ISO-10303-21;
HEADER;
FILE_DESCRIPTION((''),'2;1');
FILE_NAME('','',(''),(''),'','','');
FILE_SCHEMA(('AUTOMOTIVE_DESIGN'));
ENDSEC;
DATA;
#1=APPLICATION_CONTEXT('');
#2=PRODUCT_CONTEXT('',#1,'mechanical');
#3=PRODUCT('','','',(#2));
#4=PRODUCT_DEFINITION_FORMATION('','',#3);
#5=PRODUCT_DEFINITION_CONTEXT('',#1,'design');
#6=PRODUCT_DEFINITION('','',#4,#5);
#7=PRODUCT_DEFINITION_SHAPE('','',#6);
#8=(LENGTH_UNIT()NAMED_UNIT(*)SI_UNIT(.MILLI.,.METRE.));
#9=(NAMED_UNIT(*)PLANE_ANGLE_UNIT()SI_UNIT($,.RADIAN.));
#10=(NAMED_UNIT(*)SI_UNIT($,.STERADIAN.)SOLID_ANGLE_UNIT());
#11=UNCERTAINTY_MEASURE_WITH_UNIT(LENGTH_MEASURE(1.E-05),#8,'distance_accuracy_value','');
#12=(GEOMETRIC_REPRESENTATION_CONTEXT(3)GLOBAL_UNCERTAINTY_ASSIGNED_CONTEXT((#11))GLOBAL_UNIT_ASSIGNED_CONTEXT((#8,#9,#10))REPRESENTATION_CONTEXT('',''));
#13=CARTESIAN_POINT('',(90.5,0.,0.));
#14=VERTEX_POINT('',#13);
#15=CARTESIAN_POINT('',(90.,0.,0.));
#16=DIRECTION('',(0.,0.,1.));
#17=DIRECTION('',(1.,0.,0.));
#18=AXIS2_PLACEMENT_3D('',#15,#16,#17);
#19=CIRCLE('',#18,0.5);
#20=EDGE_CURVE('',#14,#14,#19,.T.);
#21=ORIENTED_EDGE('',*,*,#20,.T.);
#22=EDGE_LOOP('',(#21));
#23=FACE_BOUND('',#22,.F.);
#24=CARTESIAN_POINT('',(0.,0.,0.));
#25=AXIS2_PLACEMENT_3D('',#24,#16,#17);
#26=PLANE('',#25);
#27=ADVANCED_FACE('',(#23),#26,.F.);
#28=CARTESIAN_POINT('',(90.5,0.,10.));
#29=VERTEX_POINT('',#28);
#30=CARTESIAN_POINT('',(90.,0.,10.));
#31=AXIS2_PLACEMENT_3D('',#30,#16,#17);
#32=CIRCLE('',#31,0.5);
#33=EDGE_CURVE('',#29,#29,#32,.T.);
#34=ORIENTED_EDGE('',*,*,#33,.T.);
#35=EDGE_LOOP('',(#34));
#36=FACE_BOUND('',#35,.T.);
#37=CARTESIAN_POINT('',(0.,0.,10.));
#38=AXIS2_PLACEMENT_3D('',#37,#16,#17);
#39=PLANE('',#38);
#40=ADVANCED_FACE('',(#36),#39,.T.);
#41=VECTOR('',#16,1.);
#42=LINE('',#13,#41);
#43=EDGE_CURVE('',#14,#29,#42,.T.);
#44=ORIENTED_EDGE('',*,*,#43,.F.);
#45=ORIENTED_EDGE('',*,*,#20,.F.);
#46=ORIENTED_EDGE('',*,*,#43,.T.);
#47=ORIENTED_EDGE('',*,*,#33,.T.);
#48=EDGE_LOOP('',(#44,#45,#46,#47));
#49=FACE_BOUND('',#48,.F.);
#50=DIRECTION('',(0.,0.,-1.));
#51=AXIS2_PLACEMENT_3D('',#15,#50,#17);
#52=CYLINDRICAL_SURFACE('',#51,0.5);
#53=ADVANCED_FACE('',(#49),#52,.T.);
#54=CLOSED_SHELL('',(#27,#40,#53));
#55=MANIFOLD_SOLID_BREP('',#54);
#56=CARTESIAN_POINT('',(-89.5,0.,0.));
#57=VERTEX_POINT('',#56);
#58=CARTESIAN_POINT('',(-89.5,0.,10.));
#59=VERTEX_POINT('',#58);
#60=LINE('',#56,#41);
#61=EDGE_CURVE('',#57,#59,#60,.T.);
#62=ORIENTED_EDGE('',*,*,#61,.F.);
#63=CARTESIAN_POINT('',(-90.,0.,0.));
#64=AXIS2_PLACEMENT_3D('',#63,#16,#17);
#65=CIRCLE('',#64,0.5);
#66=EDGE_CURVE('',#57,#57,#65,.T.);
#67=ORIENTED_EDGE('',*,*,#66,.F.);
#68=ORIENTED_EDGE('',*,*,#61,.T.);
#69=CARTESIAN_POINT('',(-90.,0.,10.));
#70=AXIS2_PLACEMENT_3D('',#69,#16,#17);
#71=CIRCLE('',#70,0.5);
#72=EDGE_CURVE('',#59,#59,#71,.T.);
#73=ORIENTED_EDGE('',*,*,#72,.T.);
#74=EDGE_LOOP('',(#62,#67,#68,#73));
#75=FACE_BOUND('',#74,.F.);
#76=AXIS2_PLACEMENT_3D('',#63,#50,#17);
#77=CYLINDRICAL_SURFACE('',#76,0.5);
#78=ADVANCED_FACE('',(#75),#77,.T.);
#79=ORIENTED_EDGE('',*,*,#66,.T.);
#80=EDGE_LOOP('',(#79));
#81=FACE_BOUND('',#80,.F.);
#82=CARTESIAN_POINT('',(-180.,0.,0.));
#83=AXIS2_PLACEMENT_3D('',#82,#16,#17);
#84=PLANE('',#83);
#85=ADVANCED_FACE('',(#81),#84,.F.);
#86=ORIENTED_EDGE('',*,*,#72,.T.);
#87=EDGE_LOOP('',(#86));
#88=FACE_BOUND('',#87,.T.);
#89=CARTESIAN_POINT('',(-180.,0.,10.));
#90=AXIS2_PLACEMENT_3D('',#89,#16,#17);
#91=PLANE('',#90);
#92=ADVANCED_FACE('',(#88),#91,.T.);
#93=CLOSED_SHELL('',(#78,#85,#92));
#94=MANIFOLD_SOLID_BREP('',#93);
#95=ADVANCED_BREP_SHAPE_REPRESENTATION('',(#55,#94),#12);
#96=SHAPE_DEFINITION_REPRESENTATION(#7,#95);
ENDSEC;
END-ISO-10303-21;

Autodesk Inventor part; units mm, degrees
ref_plane "YZ Plane" through (0, 0, 0) normal (1, 0, 0) x (0, 1, 0)
ref_plane "XZ Plane" through (0, 0, 0) normal (0, 1, 0) x (-1, 0, 0)
ref_plane "XY Plane" through (0, 0, 0) normal (0, 0, 1) x (1, 0, 0)
sketch "Sketch1" plane through (0, 0, 0) normal (0, 0, 1) x (1, 0, 0)
  line L0 (-150, -10) -> (150, -10)
  line L1 (150, -10) -> (150, 10)
  line L2 (150, 10) -> (-150, 10)
  line L3 (-150, 10) -> (-150, -10)
  line L4 (-150, -10) -> (150, 10) construction
  line L5 (150, -10) -> (-150, 10) construction
  point P0 (0, 0)
  dimension "d0" = 300
  dimension "d1" = 20
sketch "Lamello" plane through (0, 0, 0) normal (0, 0, 1) x (1, 0, 0)
  line L0 (50.583, 137.7858) -> (46.583, 137.7858)
  line L1 (46.583, 137.7858) -> (46.583, 113.1858)
  line L2 (46.583, 113.1858) -> (50.583, 113.1858)
  line L3 (50.583, 113.1858) -> (50.583, 137.7858)
  line L4 (50.583, 125.4858) -> (46.583, 125.4858)
  line L5 (48.583, 137.7858) -> (48.583, 113.1858)
  point P0 (48.583, 125.4858)
  dimension "LamelloGrooveThickness" = 4
  dimension "LamelloGrooveWidth" = 24.6
sketch "Sketch2" plane through (0, 0, 0) normal (0, 0, 1) x (1, 0, 0)
  circle A0 centre (90, 0) radius 0.5
  line L0 (150, 10) -> (-150, 10) projected
  line L1 (-150, -10) -> (150, -10) projected
  line L2 (0, -132.4) -> (0, 80.4) projected
  line L3 (150, -10) -> (150, 10) projected
  point P0 (0, 0)
  dimension "d4" = 1
  dimension "d50" = 10
  dimension "d70" = 60
extrude "Extrusion1" add sketch "Sketch2" along normal blind 10 contours A0
pattern_linear "Clamex Array" count 2 spacing 180 along (-1, 0, 0) of "Extrusion1"
sketch "Edge-Side Connection" plane through (0, 0, 0) normal (1, 0, 0) x (0, 1, 0)
  line L0 (-50, 0) -> (50, 0)
  line L1 (50, 0) -> (50, 18)
  line L2 (50, 18) -> (-50, 18)
  line L3 (-50, 18) -> (-50, 0)
  line L4 (-10, 0) -> (-10, -40)
  line L5 (-10, -40) -> (10, -40)
  line L6 (10, -40) -> (10, 0)
  line L7 (0, -12.3) -> (0, 15.7) construction
  line L8 (10, 0) -> (2, 0)
  line L9 (-2, -12.3) -> (-10, -12.3)
  point P0 (0, 0)
  point P1 (10, 0)
  point P2 (0, 0)
  dimension "d26" = 100
  dimension "d27" = 18
  dimension "d28" = 40
  dimension "OtherSideRefYCoordinate" = 10
  dimension "ReferenceCoord" = 10
  dimension "d49" = 90
sketch "Edge-Edge Connection" plane through (0, 0, 0) normal (1, 0, 0) x (0, 1, 0)
  line L0 (-102, 18) -> (18, 18)
  line L1 (18, 18) -> (0, 0)
  line L2 (0, 0) -> (-102, 0)
  line L3 (-102, 0) -> (-102, 18)
  line L4 (18, 18) -> (18, -102)
  line L5 (0, 0) -> (0, -102)
  line L6 (0, -102) -> (18, -102)
  line L7 (2.6817, 2.6817) -> (0, 0)
  line L8 (-3.1873, 14.2075) -> (-3.1873, 18)
  point P0 (4.0959, 4.0959)
  dimension "d51" = 18
  dimension "d53" = 18
  dimension "EdgeEdgeReferenceCoord" = 5.7925
  dimension "d65" = 90
  dimension "d66" = 120
  dimension "d67" = 120
  dimension "EdgeEdgeOtherSideRefYCoordinate" = 19.6634
equation "\"d9\" = Step"
equation "\"d27\" = NestleBoardT"
equation "\"d0\" = ContactPatchWidth"
equation "\"d1\" = ContactPatchHeight"
equation "\"ContactPatchWidth\" = 300"
equation "\"ContactPatchHeight\" = 20"
equation "\"MinDistBetween\" = 96"
equation "\"Step\" = 180"
equation "\"NestleBoardT\" = 18"
equation "\"PillarBoardT\" = 18"
equation "\"AngleForYPositionCalc\" = 90deg"
equation "\"ConnectionAngle\" = 90deg"
equation "\"ShiftY\" = 0"
properties part number "Minfix&Dowel Joint"
